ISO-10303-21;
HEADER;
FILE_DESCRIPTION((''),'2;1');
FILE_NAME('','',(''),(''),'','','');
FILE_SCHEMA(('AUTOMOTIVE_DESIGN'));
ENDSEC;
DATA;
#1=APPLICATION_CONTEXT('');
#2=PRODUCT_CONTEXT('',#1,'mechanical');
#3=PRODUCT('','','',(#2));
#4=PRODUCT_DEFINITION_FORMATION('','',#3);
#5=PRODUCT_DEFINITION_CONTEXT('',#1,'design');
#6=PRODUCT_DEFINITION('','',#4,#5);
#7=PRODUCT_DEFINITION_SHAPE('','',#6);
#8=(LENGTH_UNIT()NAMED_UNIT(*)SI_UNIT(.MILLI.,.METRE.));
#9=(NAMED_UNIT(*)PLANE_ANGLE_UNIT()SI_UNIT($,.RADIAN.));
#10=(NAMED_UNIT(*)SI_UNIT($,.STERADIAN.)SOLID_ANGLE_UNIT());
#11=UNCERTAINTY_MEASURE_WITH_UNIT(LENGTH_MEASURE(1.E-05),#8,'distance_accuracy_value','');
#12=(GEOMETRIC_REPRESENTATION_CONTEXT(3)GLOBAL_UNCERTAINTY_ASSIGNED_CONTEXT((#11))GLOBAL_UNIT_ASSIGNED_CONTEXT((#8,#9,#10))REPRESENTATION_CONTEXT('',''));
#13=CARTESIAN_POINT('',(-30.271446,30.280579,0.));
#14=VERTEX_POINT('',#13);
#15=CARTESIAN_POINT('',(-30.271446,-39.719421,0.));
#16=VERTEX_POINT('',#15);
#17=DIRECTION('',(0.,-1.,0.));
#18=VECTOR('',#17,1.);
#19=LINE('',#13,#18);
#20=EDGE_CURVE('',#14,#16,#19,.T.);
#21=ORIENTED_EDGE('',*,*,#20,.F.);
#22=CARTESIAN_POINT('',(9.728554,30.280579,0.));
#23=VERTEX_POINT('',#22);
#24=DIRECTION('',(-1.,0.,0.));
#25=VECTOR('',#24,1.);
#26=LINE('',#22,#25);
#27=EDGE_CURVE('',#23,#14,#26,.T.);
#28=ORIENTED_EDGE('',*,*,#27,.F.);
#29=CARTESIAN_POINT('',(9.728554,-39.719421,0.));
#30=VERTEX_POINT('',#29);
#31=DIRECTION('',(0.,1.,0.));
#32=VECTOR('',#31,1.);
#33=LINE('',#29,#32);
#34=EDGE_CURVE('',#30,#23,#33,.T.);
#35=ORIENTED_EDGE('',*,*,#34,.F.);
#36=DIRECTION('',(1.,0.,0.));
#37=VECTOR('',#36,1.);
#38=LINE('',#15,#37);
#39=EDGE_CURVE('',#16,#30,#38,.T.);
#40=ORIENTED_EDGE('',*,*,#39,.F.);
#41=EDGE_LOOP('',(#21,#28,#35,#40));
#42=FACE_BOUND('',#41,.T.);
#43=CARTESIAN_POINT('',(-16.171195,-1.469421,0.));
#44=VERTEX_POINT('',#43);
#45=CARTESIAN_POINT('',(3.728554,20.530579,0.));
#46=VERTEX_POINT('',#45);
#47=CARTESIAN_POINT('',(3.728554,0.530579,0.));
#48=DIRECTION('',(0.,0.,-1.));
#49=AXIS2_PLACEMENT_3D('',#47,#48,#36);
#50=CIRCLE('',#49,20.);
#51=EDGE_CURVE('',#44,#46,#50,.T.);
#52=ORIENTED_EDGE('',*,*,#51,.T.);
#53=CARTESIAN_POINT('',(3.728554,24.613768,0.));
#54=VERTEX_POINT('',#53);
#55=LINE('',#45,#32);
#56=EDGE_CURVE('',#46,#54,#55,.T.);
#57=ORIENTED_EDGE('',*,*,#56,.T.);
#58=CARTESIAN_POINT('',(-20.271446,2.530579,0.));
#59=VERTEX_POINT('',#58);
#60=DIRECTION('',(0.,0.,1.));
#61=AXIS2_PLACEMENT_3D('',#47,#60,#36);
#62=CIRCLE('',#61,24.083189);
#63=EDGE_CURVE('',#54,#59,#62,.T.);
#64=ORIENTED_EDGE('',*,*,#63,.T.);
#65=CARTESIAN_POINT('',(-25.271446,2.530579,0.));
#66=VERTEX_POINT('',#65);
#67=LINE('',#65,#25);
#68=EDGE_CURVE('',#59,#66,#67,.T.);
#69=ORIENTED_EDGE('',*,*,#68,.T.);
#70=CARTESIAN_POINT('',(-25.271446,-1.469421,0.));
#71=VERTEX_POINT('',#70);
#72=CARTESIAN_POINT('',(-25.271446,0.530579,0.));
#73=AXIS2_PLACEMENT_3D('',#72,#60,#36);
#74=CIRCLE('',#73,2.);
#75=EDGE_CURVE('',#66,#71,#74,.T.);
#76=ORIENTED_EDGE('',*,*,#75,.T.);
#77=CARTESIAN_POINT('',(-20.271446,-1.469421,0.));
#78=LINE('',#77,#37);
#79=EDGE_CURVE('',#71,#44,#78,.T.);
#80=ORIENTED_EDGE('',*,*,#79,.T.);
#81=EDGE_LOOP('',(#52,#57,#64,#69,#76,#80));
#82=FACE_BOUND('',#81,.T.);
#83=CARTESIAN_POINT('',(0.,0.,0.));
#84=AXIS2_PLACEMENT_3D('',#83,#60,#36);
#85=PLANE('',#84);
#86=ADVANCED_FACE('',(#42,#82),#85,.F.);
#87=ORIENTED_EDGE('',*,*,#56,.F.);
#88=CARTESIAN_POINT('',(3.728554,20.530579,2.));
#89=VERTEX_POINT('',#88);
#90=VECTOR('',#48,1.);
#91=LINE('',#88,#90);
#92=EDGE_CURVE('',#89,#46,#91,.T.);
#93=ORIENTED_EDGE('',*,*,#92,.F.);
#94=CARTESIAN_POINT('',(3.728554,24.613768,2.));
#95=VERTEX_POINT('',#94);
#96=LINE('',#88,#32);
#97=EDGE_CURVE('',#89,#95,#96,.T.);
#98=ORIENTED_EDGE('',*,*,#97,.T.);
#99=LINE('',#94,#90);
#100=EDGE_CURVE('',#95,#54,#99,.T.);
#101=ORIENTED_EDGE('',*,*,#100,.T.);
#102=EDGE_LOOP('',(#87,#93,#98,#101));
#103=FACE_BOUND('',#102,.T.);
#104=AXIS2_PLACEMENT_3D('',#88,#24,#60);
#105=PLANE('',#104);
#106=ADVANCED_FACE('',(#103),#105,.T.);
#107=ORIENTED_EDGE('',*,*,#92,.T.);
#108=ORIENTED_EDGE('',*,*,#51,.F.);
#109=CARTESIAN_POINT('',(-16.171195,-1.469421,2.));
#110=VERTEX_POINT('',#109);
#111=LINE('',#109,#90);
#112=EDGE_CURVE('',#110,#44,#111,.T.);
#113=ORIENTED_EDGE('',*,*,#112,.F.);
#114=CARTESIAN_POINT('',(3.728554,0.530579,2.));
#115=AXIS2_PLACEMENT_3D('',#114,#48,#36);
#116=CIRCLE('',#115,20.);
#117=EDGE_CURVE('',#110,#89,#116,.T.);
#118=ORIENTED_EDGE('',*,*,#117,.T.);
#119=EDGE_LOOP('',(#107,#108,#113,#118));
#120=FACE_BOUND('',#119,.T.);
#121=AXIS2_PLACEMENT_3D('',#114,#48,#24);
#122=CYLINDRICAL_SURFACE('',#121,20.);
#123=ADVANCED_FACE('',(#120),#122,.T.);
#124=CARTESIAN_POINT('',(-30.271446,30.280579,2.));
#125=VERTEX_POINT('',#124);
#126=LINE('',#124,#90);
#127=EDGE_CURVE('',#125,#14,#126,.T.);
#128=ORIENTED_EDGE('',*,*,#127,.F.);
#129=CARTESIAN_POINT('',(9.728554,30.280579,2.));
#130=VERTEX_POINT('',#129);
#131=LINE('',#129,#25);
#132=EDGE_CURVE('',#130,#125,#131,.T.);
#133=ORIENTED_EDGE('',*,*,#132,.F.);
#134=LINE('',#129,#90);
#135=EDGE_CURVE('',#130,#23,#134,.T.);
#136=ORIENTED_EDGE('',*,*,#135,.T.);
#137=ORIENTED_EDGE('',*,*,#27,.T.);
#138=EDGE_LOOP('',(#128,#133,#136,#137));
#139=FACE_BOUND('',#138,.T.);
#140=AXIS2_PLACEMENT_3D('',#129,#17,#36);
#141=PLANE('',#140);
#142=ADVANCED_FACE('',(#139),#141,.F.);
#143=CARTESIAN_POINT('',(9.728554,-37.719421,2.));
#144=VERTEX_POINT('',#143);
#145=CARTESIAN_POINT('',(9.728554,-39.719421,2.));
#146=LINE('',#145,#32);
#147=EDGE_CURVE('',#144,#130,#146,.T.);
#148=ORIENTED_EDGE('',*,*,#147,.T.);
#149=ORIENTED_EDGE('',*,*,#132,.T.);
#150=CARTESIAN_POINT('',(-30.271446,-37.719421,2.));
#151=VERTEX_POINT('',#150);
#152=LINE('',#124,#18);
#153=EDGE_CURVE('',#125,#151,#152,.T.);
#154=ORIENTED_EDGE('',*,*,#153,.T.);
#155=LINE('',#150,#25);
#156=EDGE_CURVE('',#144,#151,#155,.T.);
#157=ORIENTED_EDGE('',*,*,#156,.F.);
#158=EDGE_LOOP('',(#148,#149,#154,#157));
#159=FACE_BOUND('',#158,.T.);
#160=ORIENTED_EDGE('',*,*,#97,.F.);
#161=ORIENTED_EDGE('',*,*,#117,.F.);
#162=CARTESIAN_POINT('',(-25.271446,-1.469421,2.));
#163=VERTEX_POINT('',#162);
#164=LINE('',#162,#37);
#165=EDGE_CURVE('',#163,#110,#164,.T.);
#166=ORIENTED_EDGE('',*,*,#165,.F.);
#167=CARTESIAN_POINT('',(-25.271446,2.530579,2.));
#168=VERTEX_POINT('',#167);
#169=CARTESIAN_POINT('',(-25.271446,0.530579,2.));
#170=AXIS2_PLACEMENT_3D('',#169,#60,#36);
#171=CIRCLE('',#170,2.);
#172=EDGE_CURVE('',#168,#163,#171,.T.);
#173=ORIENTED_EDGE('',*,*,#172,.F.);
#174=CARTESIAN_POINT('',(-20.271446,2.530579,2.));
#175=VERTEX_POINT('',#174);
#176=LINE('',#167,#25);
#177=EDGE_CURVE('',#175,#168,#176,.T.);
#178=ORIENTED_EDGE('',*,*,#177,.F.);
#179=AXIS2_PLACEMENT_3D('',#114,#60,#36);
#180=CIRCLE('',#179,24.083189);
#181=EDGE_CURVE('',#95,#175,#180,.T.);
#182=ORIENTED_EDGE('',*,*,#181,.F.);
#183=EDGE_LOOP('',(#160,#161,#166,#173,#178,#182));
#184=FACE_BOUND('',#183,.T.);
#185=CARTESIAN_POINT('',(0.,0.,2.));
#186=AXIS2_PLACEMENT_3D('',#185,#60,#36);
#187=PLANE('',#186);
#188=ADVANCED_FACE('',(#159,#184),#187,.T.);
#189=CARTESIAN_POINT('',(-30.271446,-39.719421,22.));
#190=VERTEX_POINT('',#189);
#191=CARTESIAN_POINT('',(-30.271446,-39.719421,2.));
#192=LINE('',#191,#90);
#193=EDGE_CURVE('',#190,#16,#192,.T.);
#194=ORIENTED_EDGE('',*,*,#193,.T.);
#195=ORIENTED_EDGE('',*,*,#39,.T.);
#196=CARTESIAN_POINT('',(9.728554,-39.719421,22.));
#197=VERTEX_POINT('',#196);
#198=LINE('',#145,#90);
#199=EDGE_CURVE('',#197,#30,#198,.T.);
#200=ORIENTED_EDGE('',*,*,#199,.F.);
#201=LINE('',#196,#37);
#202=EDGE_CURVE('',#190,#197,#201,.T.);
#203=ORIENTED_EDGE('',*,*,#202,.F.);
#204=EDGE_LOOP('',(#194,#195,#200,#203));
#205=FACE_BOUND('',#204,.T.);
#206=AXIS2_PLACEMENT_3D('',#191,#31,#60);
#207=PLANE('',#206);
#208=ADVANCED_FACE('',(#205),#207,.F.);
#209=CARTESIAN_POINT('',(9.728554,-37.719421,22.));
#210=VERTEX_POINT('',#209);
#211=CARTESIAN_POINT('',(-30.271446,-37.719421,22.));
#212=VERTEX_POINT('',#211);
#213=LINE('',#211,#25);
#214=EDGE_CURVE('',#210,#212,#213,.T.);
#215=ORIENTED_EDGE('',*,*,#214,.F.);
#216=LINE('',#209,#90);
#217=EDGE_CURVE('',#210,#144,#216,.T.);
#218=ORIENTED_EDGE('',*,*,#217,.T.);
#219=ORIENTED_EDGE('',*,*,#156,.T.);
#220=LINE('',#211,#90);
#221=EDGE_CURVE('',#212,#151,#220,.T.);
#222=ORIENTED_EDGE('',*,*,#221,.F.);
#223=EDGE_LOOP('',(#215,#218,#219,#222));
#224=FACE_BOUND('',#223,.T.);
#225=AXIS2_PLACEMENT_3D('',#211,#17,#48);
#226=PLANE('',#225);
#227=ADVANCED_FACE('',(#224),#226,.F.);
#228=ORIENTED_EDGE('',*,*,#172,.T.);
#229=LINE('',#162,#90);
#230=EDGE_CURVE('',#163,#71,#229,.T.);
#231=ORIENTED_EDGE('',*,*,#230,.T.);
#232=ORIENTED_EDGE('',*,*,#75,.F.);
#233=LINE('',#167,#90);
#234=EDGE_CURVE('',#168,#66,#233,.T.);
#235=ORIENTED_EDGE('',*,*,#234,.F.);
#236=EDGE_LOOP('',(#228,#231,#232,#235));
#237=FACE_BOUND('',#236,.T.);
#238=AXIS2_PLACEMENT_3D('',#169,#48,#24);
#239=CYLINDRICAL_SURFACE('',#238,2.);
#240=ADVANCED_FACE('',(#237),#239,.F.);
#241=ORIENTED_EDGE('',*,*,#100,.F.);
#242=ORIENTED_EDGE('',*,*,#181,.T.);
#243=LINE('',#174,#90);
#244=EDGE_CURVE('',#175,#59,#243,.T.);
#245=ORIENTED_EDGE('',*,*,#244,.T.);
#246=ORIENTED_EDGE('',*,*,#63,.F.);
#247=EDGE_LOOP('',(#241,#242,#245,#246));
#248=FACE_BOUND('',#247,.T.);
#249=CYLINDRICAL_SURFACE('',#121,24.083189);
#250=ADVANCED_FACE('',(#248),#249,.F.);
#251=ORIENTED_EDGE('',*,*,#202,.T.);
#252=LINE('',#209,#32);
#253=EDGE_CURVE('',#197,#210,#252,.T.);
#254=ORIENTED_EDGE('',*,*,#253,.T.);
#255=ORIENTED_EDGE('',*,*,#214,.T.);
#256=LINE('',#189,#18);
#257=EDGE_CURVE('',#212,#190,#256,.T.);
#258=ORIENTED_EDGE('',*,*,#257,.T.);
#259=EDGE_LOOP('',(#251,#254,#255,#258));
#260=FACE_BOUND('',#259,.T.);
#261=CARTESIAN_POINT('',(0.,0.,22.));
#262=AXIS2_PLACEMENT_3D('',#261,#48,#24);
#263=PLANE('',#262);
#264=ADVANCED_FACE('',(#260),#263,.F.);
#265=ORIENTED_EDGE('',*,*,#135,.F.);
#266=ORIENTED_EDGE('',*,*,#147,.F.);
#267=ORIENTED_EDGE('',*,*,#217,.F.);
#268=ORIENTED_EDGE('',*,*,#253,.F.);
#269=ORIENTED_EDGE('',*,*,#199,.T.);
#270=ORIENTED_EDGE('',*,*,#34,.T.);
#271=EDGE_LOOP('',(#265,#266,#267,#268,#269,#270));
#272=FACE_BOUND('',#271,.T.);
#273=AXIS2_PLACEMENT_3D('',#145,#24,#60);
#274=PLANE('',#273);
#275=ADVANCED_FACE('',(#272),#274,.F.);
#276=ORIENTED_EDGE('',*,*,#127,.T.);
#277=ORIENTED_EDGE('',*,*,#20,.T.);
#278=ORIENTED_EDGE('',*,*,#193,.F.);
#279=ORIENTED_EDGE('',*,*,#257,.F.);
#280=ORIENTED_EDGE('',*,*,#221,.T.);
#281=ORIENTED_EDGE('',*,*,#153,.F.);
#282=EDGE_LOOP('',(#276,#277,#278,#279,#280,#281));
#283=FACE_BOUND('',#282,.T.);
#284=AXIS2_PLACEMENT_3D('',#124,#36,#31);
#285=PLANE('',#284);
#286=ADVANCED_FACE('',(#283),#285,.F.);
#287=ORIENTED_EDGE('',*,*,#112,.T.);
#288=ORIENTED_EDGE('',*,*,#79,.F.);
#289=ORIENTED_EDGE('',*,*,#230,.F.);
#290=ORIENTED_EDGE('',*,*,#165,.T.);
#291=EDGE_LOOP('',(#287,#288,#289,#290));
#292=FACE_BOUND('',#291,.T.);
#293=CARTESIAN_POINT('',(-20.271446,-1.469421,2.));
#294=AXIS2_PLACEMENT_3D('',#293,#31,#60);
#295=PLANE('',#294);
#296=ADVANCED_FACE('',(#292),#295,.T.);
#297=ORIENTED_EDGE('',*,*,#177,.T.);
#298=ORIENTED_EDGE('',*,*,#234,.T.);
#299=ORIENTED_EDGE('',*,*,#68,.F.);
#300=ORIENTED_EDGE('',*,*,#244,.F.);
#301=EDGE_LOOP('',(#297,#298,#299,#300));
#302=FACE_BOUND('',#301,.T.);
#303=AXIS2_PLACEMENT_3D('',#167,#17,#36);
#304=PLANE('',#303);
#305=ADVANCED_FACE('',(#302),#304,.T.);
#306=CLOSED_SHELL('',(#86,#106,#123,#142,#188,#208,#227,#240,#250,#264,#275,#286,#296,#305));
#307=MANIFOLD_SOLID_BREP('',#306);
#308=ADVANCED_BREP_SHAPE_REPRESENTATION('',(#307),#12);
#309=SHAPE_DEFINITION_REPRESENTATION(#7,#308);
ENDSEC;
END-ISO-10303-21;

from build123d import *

# Parameters (mm, degrees)
SKETCH_1_W      = 40
SKETCH_1_H      = 70
EXTRUDE_1_DEPTH = 2
SKETCH_2_W      = 40
SKETCH_2_H      = 2
EXTRUDE_2_DEPTH = 20


with BuildPart() as part:
    # 草图1 → 凸台-拉伸1 (new body)
    with BuildSketch(Plane.XY):
        with Locations((-10.271445819, -4.719420773)):
            Rectangle(SKETCH_1_W, SKETCH_1_H)
        with BuildLine():
            Line((-25.271445819, -1.469420773), (-20.271445819, -1.469420773))
            Line((-20.271445819, -1.469420773), (-16.171194561, -1.469420773))
            ThreePointArc((-16.171194561, -1.469420773), (-11.103842793, 13.946987092), (3.728554181, 20.530579227))
            Line((3.728554181, 20.530579227), (3.728554181, 24.613768385))
            ThreePointArc((3.728554181, 24.613768385), (-12.578401723, 18.252971536), (-20.271445819, 2.530579227))
            Line((-20.271445819, 2.530579227), (-25.271445819, 2.530579227))
            ThreePointArc((-25.271445819, 2.530579227), (-27.271445819, 0.530579227), (-25.271445819, -1.469420773))
        make_face(mode=Mode.SUBTRACT)
    extrude(amount=EXTRUDE_1_DEPTH)

    # 草图2 → 凸台-拉伸2 (add)
    with BuildSketch(Plane.XY.offset(2)):
        with Locations((-10.271445819, -38.719420773)):
            Rectangle(SKETCH_2_W, SKETCH_2_H)
    extrude(amount=EXTRUDE_2_DEPTH)


solid = part.part
